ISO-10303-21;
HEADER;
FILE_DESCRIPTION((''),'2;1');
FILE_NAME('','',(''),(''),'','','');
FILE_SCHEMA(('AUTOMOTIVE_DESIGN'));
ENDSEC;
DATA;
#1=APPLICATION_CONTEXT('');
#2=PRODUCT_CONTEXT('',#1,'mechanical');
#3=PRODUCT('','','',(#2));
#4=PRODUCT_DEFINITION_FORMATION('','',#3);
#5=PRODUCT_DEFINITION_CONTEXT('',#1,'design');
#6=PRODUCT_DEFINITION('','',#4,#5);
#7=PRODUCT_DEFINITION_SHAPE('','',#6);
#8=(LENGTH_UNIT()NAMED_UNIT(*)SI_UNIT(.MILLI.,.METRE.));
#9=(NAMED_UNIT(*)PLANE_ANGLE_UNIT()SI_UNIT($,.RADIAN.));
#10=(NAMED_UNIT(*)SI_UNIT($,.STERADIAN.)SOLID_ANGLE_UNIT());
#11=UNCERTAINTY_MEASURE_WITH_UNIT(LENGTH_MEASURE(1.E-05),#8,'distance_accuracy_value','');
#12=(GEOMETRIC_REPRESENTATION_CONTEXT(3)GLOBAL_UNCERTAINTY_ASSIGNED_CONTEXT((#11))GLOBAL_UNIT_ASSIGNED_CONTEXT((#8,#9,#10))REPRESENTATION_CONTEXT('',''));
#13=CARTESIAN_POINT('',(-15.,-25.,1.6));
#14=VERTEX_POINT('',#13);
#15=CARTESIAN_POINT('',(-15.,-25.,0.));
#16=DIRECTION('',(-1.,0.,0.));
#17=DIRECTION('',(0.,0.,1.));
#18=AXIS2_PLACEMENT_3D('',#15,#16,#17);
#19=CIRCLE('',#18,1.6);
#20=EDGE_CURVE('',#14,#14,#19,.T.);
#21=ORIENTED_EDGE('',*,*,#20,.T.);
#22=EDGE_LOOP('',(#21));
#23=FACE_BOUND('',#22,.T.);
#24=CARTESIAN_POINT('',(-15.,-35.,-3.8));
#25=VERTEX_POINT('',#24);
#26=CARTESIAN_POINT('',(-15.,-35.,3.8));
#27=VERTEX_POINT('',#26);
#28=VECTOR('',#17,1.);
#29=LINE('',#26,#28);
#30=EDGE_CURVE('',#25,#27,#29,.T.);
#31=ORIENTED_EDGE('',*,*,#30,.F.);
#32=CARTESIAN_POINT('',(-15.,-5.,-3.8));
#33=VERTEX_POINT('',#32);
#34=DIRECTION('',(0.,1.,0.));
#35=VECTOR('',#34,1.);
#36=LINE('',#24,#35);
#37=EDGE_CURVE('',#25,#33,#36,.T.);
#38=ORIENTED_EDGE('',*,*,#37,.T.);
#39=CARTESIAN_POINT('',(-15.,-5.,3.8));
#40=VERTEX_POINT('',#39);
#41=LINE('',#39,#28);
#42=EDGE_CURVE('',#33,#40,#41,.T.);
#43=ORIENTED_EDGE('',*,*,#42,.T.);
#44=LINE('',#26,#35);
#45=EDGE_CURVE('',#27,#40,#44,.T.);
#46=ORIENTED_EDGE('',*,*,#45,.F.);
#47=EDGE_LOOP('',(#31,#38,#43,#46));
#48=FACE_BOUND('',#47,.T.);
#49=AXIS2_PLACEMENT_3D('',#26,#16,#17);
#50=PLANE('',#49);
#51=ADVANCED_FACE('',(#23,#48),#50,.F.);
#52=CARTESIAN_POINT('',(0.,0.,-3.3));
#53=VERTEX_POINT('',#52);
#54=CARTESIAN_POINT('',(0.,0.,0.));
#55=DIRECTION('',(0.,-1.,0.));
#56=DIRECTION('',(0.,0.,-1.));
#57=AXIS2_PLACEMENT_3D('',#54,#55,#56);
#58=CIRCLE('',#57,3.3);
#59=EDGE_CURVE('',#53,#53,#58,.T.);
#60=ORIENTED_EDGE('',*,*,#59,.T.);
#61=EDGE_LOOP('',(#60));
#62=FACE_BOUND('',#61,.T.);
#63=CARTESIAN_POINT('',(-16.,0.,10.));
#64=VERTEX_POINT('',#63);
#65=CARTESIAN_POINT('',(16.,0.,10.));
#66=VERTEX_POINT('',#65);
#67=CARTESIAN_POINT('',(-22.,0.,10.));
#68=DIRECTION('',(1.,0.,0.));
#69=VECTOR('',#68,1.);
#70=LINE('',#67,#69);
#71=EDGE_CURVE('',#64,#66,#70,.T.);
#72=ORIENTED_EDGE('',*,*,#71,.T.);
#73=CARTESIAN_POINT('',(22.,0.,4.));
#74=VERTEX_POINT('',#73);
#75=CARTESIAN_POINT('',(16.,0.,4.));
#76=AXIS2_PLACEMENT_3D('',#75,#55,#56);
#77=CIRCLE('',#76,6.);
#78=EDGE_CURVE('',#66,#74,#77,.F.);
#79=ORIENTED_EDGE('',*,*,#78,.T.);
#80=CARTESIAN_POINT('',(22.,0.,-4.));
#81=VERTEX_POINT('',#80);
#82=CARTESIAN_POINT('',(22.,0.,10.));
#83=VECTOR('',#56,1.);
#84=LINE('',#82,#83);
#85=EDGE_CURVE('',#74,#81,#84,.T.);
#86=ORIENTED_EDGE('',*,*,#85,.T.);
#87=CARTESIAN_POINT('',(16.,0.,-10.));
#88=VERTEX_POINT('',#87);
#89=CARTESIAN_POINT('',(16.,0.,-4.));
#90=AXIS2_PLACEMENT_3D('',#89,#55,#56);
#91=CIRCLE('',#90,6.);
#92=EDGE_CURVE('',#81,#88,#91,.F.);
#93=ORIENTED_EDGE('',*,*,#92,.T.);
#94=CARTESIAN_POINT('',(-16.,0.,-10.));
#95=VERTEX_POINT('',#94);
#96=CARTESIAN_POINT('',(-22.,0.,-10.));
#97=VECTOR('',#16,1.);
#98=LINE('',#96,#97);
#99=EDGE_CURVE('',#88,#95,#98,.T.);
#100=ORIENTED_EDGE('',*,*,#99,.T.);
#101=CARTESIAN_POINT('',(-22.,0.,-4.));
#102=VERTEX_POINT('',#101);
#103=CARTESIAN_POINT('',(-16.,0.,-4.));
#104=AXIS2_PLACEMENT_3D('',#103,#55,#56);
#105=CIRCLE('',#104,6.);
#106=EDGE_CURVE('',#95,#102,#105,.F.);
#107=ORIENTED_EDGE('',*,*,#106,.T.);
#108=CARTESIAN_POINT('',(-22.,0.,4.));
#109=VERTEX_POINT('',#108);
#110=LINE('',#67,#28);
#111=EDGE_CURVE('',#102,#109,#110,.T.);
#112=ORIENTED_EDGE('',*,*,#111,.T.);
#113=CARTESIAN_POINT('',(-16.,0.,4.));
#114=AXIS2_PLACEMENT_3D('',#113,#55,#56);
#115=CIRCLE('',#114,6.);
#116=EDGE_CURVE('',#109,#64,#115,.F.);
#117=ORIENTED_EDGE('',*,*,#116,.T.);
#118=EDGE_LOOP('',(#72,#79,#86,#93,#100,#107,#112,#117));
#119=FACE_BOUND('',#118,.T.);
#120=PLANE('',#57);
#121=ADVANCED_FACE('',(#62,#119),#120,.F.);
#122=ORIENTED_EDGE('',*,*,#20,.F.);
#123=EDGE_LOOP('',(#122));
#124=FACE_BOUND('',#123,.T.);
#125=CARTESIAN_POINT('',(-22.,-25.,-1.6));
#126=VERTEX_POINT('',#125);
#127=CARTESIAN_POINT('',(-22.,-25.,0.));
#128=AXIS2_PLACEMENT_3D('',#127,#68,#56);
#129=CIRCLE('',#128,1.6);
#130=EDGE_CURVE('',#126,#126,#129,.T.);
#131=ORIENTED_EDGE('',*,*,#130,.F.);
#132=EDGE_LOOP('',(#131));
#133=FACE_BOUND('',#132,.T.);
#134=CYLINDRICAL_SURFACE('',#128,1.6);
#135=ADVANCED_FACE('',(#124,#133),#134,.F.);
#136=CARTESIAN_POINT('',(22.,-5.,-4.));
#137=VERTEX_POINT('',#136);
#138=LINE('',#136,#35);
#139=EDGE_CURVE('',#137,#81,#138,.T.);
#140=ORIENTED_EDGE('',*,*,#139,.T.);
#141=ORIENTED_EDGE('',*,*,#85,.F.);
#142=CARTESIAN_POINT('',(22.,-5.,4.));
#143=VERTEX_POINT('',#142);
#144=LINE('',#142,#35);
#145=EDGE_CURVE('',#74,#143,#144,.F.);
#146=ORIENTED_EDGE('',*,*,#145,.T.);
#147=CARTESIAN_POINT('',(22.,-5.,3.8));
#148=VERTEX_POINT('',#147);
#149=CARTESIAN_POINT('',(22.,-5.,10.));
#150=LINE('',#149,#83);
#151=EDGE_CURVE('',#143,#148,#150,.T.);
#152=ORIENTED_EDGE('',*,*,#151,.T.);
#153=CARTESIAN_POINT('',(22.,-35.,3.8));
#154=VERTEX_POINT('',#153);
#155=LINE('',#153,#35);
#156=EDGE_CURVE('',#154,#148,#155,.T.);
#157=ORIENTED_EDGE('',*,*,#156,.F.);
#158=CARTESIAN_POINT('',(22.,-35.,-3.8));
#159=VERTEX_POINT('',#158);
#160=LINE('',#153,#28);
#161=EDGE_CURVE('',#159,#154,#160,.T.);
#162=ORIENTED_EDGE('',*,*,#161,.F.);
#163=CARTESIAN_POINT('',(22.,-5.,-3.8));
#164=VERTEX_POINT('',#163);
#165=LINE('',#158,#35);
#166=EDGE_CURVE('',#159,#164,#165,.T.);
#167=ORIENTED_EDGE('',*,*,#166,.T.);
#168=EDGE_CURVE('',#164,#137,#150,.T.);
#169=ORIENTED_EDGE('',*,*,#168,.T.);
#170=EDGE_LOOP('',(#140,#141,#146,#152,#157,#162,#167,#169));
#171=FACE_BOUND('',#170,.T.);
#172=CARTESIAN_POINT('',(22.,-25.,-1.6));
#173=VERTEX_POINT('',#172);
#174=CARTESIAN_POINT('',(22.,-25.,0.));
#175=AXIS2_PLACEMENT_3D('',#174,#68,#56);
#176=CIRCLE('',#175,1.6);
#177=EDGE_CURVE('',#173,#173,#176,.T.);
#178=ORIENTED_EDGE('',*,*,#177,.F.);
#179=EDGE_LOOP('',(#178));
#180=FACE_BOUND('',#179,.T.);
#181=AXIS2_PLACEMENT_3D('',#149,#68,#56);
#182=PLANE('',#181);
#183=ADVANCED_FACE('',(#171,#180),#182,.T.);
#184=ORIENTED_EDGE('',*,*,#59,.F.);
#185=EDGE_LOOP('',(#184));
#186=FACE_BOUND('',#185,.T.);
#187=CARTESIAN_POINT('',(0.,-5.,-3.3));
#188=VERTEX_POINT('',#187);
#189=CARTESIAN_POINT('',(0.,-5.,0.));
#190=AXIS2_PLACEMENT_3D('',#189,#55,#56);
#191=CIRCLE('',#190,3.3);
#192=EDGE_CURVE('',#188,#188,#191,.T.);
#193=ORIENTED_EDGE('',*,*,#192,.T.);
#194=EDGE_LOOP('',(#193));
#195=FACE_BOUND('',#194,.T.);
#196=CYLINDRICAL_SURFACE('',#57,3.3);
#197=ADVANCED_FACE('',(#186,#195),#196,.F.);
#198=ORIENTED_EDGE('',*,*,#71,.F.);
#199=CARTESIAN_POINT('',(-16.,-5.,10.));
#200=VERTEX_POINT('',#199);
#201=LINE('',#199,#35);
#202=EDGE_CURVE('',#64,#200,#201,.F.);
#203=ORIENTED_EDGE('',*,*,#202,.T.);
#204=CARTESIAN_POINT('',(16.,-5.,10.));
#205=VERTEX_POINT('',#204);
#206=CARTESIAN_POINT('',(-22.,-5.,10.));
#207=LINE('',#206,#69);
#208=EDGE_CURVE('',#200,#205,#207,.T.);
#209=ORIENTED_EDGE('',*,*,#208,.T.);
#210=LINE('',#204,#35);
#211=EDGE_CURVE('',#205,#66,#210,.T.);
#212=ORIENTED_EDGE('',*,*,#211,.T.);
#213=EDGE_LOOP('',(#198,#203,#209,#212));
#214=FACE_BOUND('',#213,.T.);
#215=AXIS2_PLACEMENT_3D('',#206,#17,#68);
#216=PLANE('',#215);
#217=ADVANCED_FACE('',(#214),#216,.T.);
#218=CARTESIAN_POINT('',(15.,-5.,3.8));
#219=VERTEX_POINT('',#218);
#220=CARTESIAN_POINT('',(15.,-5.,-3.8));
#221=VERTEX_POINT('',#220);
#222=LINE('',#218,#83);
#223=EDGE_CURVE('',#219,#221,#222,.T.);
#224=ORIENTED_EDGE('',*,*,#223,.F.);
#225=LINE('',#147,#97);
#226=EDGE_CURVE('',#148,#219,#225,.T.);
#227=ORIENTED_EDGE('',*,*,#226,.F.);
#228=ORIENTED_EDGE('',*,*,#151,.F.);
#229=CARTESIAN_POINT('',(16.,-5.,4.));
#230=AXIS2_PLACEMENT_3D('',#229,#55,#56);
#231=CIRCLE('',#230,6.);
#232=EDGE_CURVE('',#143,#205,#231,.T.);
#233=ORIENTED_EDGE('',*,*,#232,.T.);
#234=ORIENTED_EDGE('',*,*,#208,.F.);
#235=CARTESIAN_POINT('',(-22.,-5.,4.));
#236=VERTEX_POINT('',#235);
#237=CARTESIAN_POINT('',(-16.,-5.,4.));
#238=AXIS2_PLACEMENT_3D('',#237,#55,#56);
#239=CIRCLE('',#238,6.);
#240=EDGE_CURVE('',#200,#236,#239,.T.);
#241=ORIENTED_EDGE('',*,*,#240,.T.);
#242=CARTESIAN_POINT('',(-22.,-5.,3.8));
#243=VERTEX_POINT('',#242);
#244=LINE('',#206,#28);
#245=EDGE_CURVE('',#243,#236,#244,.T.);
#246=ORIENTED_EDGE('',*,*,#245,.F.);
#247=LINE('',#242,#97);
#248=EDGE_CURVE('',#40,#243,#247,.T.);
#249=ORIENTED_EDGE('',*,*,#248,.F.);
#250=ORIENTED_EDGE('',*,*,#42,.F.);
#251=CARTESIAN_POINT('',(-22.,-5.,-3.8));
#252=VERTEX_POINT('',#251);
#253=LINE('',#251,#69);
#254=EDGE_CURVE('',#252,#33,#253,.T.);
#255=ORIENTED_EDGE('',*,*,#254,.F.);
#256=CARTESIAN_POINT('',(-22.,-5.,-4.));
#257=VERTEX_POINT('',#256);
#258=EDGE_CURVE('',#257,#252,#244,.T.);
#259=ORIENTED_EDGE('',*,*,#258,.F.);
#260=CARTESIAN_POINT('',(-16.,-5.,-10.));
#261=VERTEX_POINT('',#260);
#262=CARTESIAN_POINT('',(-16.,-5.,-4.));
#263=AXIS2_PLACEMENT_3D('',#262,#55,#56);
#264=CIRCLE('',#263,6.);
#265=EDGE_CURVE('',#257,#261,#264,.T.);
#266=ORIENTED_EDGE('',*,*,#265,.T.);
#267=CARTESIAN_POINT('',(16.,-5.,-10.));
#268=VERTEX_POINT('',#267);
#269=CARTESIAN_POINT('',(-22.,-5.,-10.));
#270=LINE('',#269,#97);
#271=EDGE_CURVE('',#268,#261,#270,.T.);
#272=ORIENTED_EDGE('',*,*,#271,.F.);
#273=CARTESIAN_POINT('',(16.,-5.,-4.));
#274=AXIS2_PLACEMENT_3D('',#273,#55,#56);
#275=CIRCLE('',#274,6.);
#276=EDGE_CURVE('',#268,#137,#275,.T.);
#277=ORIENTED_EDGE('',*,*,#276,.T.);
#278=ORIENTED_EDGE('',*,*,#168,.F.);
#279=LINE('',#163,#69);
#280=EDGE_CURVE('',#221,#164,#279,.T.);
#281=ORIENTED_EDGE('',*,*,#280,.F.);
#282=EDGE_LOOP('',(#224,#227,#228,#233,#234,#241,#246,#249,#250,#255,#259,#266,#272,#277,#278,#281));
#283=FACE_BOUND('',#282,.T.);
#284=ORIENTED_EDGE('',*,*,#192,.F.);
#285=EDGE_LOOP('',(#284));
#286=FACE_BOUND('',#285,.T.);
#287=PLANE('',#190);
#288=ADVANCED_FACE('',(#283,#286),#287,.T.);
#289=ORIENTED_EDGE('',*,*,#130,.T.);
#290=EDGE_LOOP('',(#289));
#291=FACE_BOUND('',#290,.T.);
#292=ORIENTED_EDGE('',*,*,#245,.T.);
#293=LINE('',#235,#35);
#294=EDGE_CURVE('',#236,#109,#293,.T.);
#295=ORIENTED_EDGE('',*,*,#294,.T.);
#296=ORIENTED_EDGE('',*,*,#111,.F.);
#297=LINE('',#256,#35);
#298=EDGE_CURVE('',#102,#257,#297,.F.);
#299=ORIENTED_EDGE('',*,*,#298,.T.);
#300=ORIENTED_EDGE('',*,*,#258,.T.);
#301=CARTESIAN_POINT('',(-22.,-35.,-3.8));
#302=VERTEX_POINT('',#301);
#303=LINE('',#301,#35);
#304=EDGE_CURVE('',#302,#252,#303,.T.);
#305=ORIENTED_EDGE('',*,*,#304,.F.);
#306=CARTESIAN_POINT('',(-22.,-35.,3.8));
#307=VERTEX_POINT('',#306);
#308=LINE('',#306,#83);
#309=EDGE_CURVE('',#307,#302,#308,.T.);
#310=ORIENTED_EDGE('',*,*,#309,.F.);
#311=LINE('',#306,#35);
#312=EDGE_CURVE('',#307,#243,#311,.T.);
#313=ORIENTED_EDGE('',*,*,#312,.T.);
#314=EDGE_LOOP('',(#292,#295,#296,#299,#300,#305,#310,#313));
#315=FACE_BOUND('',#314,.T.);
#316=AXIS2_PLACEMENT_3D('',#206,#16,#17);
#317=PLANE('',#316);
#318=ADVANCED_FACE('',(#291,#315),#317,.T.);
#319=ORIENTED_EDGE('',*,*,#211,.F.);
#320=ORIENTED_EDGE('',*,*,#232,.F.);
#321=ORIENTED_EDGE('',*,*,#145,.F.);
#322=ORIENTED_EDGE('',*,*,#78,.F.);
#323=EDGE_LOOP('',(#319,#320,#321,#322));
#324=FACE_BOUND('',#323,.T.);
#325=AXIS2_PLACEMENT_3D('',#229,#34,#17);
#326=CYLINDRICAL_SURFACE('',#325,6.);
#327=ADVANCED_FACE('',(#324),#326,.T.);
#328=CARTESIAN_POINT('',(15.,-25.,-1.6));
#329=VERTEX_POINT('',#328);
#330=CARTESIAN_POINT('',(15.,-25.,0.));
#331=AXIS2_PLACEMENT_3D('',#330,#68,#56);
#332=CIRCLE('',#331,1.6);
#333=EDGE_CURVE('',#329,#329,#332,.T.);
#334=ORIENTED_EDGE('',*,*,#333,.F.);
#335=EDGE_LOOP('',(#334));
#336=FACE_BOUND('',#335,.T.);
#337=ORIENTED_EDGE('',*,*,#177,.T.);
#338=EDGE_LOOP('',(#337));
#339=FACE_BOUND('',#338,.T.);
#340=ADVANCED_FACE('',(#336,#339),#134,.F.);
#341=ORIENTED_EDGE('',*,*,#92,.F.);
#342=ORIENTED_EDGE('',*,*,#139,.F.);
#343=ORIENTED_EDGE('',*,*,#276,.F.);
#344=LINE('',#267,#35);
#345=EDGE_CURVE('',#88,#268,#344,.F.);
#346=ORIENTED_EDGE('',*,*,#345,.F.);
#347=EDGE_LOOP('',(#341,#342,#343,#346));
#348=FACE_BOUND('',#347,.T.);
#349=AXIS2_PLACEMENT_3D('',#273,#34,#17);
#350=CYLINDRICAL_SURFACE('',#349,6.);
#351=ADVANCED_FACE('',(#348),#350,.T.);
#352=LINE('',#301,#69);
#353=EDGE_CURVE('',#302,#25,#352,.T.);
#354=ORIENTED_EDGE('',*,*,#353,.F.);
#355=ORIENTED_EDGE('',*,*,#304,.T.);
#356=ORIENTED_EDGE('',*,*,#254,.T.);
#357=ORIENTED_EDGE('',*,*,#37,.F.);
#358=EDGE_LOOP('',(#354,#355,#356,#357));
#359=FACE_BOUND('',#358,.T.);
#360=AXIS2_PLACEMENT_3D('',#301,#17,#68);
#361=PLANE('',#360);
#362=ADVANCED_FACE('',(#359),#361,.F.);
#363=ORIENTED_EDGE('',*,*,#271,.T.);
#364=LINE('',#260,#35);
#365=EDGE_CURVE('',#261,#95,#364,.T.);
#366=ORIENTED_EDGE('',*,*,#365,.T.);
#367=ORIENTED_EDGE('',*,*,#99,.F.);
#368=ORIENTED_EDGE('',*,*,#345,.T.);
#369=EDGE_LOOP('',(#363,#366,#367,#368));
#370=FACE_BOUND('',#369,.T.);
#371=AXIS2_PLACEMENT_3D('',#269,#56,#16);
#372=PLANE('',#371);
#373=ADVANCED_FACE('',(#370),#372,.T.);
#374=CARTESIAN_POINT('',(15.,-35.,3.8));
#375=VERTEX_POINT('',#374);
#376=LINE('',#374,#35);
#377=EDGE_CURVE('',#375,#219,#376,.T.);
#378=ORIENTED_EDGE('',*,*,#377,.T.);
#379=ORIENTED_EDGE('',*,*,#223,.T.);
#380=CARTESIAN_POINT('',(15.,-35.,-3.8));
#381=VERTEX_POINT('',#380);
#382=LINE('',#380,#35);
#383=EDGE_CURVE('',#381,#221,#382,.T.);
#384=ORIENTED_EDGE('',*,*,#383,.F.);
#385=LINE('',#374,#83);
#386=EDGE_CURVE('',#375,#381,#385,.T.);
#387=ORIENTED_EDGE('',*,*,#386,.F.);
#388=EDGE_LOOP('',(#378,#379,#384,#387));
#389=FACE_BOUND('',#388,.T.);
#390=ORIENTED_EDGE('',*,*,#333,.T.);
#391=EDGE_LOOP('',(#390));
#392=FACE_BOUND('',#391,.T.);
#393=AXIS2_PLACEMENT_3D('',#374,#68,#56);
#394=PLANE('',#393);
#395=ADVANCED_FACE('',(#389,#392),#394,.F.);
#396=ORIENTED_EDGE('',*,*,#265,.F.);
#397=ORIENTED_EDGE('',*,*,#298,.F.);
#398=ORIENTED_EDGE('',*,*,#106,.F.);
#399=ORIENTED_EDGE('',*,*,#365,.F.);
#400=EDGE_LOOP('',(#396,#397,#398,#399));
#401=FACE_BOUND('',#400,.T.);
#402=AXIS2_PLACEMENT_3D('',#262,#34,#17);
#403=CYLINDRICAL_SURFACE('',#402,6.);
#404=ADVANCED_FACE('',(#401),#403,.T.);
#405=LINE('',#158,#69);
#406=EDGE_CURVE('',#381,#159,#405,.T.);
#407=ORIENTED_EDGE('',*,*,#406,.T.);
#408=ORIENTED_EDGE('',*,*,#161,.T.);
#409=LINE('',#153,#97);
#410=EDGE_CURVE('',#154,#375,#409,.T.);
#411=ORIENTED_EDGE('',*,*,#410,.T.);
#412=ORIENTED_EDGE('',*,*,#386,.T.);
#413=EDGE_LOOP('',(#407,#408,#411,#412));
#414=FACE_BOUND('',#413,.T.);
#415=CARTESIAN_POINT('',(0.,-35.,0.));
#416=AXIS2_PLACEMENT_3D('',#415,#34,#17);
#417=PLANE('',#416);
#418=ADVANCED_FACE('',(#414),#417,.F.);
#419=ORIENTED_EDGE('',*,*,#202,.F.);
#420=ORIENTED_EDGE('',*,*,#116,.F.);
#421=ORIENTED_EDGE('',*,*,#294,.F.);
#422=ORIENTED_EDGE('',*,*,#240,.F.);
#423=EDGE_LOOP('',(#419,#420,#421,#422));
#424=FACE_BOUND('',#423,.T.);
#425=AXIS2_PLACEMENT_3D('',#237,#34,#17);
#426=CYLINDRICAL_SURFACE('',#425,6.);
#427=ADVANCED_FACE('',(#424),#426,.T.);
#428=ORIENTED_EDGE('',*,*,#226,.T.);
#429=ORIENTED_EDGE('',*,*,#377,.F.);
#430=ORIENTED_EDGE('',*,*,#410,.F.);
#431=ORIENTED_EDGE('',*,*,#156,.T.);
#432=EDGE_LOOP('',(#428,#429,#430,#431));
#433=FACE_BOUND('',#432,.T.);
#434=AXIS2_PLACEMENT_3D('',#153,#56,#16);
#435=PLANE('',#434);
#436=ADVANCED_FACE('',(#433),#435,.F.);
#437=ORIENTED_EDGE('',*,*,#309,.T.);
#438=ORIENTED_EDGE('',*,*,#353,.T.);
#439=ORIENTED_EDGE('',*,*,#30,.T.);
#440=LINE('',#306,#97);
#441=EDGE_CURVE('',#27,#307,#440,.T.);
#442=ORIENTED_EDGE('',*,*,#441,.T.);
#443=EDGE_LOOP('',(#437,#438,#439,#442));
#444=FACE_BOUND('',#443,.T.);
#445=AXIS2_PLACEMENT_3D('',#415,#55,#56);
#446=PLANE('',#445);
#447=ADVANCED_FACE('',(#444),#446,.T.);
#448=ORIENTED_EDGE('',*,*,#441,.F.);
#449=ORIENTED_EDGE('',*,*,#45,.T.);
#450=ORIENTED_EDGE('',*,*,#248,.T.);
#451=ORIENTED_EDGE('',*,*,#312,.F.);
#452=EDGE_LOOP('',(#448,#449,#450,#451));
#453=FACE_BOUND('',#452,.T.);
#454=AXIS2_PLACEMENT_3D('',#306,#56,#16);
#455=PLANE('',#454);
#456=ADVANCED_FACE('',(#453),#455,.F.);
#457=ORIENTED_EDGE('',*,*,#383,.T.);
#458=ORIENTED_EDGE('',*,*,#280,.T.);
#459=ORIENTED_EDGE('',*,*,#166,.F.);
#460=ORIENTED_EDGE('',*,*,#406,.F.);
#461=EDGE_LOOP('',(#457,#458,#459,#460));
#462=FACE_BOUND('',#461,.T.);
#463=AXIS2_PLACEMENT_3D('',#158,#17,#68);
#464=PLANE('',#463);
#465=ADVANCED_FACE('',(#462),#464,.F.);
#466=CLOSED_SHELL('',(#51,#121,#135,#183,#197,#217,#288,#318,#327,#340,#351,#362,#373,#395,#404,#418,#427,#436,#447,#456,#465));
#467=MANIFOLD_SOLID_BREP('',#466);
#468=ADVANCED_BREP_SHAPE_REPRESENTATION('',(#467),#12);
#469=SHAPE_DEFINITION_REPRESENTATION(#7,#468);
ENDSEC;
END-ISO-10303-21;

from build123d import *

# Parameters (mm, degrees)
SKETCH_1_W          = 44
SKETCH_1_H          = 20
EXTRUDE_1_DEPTH     = 5
SKETCH_2_W          = 7
SKETCH_2_H          = 7.6
EXTRUDE_2_DEPTH     = 30
SKETCH_3_R          = 3.3
CUT_EXTRUDE_1_DEPTH = 39.522720569
FILLET_1_R          = 6
SKETCH_4_R          = 1.6
CUT_EXTRUDE_2_DEPTH = 58.105166141


with BuildPart() as part:
    # 草图1 → 凸台-拉伸1 (new body)
    with BuildSketch(Plane(origin=(0, 0, 0), x_dir=(1, 0, 0), z_dir=(0, 1, 0))):
        Rectangle(SKETCH_1_W, SKETCH_1_H)
    extrude(amount=-EXTRUDE_1_DEPTH)

    # 草图2 → 凸台-拉伸2 (add)
    with BuildSketch(Plane.XZ.offset(5)):
        with Locations((-18.5, 0)):
            Rectangle(SKETCH_2_W, SKETCH_2_H)
        with Locations((18.5, 0)):
            Rectangle(SKETCH_2_W, SKETCH_2_H)
    extrude(amount=EXTRUDE_2_DEPTH)

    # 草图3 → 切除-拉伸1 (cut, through all)
    with BuildSketch(Plane.XZ.offset(5)):
        with Locations(Location((0, 0, 0), (0, 0, 270))):
            Circle(SKETCH_3_R)
    extrude(amount=-CUT_EXTRUDE_1_DEPTH, mode=Mode.SUBTRACT)

    # 圆角1
    fillet_1_edges = [part.edges().sort_by_distance(p)[0] for p in [
        (22, -2.5, 10),
        (-22, -2.5, 10),
        (-22, -2.5, -10),
        (22, -2.5, -10),
    ]]
    fillet(fillet_1_edges, radius=FILLET_1_R)

    # 草图4 → 切除-拉伸2 (cut, through all)
    with BuildSketch(Plane(origin=(22, 0, 0), x_dir=(0, 0, -1), z_dir=(1, 0, 0))):
        with Locations((0, -25)):
            Circle(SKETCH_4_R)
    extrude(amount=-CUT_EXTRUDE_2_DEPTH, mode=Mode.SUBTRACT)


solid = part.part
